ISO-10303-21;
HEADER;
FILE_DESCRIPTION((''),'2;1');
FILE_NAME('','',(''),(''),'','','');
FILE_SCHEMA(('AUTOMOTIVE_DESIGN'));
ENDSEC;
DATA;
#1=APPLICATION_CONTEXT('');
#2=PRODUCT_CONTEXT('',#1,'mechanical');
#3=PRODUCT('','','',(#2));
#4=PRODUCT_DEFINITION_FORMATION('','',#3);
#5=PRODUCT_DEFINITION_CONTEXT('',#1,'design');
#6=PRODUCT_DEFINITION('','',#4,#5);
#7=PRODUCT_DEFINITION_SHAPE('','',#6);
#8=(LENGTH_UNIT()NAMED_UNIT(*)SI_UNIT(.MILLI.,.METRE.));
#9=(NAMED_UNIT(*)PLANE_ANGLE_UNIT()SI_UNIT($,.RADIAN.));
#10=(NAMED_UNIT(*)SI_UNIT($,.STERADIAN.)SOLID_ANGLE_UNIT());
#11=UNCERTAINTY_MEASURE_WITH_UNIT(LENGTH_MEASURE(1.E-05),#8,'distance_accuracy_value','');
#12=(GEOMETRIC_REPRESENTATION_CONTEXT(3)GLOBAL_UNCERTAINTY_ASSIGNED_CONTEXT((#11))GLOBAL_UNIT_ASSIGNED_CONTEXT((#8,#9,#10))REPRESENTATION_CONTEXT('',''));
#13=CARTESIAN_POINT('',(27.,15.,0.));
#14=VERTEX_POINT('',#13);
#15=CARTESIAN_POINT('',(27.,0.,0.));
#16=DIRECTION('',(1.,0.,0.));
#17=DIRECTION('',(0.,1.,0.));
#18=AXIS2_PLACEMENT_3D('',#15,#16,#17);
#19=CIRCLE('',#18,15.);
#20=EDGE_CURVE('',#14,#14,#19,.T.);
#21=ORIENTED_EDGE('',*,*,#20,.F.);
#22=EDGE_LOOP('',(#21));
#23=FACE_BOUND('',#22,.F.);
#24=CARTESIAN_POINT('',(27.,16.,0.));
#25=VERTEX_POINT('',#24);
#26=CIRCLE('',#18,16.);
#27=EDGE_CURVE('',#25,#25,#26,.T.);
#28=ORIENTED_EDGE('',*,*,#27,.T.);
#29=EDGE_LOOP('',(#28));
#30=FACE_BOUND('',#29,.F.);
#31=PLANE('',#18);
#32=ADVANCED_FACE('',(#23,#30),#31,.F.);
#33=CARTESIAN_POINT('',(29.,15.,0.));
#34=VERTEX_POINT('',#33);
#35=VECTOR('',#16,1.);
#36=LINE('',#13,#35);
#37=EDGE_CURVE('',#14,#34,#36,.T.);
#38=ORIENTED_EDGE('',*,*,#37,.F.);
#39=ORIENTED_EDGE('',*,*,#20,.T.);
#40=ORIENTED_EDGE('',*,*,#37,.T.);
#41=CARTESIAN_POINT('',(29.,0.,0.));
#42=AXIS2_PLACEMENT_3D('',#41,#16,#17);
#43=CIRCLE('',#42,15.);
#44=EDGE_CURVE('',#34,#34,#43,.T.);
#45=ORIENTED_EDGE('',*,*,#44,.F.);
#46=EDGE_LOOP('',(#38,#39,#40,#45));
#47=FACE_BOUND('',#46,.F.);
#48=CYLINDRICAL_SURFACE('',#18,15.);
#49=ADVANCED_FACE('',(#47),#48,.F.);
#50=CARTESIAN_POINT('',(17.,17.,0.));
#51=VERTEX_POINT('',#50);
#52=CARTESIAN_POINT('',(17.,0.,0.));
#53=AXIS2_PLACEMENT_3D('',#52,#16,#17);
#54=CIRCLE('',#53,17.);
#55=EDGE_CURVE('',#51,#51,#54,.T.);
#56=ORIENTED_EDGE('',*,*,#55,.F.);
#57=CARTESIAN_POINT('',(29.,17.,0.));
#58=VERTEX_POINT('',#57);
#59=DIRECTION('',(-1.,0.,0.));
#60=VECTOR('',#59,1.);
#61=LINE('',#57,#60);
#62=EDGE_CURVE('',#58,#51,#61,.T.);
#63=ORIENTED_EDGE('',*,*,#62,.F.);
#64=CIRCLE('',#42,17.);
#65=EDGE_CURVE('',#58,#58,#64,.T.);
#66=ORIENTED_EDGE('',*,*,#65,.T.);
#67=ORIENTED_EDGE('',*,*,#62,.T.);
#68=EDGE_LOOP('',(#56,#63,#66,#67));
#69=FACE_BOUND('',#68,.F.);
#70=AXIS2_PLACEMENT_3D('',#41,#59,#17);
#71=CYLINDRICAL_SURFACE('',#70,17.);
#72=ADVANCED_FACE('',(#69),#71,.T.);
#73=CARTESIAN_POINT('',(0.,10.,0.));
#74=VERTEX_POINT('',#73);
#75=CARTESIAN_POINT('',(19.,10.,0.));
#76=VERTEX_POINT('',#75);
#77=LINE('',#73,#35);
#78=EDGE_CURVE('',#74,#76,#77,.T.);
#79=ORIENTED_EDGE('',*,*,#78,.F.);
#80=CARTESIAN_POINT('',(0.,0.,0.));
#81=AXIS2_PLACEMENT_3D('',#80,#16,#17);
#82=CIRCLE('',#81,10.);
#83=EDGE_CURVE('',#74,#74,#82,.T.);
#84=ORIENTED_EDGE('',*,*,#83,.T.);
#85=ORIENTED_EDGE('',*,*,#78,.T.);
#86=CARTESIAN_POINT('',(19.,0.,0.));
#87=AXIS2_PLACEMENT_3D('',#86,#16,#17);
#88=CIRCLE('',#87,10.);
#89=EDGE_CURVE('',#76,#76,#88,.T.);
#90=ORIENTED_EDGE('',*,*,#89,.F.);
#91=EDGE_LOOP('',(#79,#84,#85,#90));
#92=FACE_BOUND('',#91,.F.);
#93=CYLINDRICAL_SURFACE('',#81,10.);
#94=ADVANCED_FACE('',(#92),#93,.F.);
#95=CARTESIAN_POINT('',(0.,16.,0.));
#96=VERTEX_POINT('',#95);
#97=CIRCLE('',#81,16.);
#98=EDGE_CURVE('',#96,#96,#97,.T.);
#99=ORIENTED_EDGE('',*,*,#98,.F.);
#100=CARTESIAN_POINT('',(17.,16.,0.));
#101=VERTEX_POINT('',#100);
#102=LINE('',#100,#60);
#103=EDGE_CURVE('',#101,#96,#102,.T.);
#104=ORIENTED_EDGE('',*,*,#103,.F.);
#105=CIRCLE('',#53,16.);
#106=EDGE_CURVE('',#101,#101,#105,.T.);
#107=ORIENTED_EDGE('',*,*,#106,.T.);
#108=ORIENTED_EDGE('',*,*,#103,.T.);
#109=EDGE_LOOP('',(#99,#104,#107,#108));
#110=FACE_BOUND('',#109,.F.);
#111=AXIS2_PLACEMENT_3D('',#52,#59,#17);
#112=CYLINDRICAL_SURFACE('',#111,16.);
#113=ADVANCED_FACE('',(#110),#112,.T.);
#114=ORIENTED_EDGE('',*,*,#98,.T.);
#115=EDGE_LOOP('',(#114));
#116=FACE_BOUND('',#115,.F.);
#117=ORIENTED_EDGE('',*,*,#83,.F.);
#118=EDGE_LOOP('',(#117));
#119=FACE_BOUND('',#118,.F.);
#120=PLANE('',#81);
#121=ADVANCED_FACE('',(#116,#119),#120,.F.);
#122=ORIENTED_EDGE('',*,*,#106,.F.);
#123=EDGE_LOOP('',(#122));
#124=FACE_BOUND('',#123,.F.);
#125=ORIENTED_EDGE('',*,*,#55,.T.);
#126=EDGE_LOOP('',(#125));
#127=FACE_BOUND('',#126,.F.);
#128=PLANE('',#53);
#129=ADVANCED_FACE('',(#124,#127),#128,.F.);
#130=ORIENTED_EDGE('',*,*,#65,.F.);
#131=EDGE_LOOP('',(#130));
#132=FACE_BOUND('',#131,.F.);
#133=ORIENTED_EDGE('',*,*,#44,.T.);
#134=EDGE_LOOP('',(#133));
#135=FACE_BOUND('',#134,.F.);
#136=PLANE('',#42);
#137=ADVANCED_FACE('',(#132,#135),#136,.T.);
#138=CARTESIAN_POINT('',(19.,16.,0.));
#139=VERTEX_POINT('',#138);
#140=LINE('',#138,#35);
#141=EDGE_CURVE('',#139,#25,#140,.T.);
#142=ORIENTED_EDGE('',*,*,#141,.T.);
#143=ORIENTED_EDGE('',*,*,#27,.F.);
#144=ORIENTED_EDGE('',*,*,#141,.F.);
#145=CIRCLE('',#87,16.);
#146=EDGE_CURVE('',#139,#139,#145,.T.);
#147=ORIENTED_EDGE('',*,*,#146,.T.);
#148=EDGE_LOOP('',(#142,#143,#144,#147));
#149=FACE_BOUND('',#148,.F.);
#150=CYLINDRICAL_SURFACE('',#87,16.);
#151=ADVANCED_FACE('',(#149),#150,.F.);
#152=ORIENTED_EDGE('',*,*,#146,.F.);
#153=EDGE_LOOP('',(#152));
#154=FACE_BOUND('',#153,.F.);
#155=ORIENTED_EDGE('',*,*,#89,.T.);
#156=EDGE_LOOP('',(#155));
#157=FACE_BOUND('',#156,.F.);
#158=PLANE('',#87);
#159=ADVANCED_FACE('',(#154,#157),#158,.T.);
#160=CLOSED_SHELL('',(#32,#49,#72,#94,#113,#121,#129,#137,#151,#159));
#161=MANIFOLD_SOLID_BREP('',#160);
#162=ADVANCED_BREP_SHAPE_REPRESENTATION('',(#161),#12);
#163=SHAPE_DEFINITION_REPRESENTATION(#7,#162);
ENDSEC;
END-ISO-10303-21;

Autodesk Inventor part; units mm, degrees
ref_plane "YZ Plane" through (0, 0, 0) normal (1, 0, 0) x (0, 1, 0)
ref_plane "XZ Plane" through (0, 0, 0) normal (0, 1, 0) x (-1, 0, 0)
ref_plane "XY Plane" through (0, 0, 0) normal (0, 0, 1) x (1, 0, 0)
sketch "Sketch3" plane through (0, 0, 0) normal (0, 0, 1) x (1, 0, 0)
  line L0 (0, 0) -> (100, 0)
  line L1 (0, 10) -> (19, 10)
  line L2 (19, 10) -> (19, 16)
  line L3 (19, 16) -> (27, 16)
  line L4 (27, 16) -> (27, 15)
  line L5 (27, 15) -> (29, 15)
  line L6 (29, 15) -> (29, 17)
  line L7 (29, 17) -> (17, 17)
  line L8 (17, 17) -> (17, 16)
  line L9 (17, 16) -> (0, 16)
  line L10 (0, 16) -> (0, 10)
  dimension "d7" = 100
  dimension "d8" = 29
  dimension "d9" = 2
  dimension "d10" = 8
  dimension "d11" = 12
  dimension "d12" = 1
  dimension "d13" = 2
  dimension "d14" = 6
  dimension "d15" = 20
  dimension "d16" = 32
revolve "Revolution1" add sketch "Sketch3" angle 360 about axis through (0, 0, 0) along (1, 0, 0)
properties part number "Mocowanie uszczelki przod" material "Brass, Soft Yellow"
